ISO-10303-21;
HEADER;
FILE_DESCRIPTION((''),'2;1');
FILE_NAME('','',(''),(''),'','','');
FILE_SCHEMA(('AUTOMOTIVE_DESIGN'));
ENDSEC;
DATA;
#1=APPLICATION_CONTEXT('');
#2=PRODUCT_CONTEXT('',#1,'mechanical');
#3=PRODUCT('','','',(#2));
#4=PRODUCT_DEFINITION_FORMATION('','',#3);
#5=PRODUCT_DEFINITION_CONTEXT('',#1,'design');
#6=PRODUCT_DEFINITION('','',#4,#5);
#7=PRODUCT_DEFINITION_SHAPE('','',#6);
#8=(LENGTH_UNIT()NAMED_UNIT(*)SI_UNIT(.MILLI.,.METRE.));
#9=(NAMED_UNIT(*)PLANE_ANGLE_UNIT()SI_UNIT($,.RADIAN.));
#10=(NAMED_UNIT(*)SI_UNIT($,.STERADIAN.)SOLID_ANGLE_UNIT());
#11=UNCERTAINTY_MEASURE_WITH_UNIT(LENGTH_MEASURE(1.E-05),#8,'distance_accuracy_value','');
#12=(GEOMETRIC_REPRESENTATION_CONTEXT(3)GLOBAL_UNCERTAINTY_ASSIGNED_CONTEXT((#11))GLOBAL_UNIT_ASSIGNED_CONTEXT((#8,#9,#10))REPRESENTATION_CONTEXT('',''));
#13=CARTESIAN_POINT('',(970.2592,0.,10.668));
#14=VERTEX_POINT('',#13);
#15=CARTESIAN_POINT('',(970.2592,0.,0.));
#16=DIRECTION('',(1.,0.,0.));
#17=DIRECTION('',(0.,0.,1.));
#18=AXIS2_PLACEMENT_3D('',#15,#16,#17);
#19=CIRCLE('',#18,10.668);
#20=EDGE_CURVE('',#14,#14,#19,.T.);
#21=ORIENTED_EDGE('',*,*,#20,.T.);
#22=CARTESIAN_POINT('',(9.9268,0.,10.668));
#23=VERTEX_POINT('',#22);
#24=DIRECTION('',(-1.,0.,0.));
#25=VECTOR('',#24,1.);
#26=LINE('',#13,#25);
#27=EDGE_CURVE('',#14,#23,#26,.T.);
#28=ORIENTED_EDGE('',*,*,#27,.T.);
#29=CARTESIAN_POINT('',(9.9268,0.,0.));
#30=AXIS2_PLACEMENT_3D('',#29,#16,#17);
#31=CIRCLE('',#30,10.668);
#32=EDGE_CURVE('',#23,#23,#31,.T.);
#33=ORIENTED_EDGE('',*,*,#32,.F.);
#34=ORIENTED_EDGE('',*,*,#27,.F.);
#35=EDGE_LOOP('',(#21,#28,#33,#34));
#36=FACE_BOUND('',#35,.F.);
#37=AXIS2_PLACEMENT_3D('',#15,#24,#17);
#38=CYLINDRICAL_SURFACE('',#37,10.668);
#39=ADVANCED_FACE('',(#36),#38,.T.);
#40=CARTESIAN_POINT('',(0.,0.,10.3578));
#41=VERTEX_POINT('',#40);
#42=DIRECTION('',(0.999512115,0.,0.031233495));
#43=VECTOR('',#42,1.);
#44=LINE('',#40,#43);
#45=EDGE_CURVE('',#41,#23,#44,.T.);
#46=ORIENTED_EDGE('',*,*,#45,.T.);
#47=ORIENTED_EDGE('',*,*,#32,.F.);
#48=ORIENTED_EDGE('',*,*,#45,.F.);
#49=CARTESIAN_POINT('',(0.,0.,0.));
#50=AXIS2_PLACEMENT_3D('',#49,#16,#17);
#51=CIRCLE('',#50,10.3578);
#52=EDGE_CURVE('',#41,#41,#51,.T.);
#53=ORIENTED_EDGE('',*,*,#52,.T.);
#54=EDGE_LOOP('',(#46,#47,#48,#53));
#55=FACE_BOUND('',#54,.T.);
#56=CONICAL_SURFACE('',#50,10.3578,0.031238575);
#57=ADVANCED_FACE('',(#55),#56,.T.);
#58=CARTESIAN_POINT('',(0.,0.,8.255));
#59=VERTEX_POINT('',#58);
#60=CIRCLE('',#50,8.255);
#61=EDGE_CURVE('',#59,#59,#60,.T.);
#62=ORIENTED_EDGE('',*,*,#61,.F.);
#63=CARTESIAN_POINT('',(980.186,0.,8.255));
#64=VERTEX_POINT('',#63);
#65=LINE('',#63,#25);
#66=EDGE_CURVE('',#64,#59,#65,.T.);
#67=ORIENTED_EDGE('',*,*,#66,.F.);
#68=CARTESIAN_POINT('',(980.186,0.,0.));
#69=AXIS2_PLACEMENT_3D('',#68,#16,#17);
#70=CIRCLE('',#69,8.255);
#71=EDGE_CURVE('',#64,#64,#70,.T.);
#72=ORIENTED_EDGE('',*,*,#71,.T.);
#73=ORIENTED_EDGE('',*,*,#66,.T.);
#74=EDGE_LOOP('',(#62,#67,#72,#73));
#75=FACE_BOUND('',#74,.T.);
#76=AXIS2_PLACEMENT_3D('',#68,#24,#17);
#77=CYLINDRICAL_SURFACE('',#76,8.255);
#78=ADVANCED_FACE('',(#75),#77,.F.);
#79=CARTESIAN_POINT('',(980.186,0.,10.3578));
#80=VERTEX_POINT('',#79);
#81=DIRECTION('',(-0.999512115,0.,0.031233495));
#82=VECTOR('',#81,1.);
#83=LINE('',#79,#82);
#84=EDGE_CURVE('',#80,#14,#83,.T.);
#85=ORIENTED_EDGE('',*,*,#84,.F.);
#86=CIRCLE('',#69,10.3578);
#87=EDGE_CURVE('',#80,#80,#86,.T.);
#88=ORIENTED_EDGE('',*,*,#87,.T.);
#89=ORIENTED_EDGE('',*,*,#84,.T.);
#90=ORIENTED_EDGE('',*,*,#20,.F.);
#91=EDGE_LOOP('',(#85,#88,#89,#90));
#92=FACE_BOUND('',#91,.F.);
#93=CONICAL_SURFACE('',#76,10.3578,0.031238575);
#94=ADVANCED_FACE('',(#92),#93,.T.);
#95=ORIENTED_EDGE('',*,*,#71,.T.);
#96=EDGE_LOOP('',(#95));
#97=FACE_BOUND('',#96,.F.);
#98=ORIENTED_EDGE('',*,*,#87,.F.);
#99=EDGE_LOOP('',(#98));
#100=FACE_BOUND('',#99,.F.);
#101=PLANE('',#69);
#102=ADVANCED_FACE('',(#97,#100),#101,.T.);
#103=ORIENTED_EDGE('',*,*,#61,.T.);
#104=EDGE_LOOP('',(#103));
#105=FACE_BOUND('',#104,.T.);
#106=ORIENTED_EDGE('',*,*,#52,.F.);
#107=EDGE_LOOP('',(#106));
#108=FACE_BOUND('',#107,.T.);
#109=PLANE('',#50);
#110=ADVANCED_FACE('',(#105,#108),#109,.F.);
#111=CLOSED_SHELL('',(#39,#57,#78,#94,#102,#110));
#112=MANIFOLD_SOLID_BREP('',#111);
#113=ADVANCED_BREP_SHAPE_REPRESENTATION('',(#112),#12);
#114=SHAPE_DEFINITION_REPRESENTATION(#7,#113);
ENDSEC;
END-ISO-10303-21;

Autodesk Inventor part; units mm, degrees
ref_plane "YZ Plane" through (0, 0, 0) normal (1, 0, 0) x (0, 1, 0)
ref_plane "XZ Plane" through (0, 0, 0) normal (0, 1, 0) x (-1, 0, 0)
ref_plane "XY Plane" through (0, 0, 0) normal (0, 0, 1) x (1, 0, 0)
sketch "Sketch1" plane through (0, 0, 0) normal (0, 1, 0) x (-1, 0, 0)
  line L0 (0, 0) -> (-980.186, 0)
  line L1 (-980.186, 0) -> (-980.186, 8.255) construction
  line L2 (-980.186, 8.255) -> (-980.186, 10.3578)
  line L3 (-980.186, 10.3578) -> (-970.2592, 10.668)
  line L4 (-970.2592, 10.668) -> (-9.9268, 10.668)
  line L5 (-490.093, 0) -> (-490.093, 10.668) construction
  line L6 (-980.186, 8.255) -> (0, 8.255)
  line L7 (0, 0) -> (0, 8.255) construction
  line L8 (0, 8.255) -> (0, 10.3578)
  line L9 (0, 10.3578) -> (-9.9268, 10.668)
  line L10 (-966.63, 10.7814) -> (-966.63, 0) construction
  line L11 (-13.556, 10.7814) -> (-13.556, 0) construction
  line L12 (-970.2592, 10.668) -> (-966.63, 10.7814) construction
  line L13 (-970.2592, 10.668) -> (-970.2592, 0) construction
  line L14 (-9.9268, 10.668) -> (-13.556, 10.7814) construction
  line L15 (-9.9268, 10.668) -> (-9.9268, 0) construction
  dimension "d0" = 21.336
  dimension "d1" = 1.79
  dimension "d2" = 16.51
  dimension "d3" = 980.186
  dimension "d4" = 13.556
  dimension "d5" = 21.5628
revolve "Revolution1" add sketch "Sketch1" angle 360 about axis through (0, 0, 0) along (1, 0, 0)
thread "Thread1" size "1/2" designation "1/2 - 14 NPT" standard "NPT" full length
thread "Thread2" size "1/2" designation "1/2 - 14 NPT" standard "NPT" full length
equation "\"d0\" = OD"
equation "\"d2\" = ID"
equation "\"d3\" = L"
equation "\"d4\" = L2"
equation "\"d5\" = D2"
equation "\"OD\" = 21.336"
equation "\"t\" = 2.413"
equation "\"L\" = PL"
equation "\"L4\" = 19.8501"
equation "\"ID\" = 16.51"
equation "\"PL\" = 980.186"
equation "\"D2\" = 21.56282"
equation "\"L2\" = 13.55598"
equation "\"Size_Designation\" = 1.2345"
equation "\"PLmin\" = 2 * L2"
properties material "Steel, Wrought"
